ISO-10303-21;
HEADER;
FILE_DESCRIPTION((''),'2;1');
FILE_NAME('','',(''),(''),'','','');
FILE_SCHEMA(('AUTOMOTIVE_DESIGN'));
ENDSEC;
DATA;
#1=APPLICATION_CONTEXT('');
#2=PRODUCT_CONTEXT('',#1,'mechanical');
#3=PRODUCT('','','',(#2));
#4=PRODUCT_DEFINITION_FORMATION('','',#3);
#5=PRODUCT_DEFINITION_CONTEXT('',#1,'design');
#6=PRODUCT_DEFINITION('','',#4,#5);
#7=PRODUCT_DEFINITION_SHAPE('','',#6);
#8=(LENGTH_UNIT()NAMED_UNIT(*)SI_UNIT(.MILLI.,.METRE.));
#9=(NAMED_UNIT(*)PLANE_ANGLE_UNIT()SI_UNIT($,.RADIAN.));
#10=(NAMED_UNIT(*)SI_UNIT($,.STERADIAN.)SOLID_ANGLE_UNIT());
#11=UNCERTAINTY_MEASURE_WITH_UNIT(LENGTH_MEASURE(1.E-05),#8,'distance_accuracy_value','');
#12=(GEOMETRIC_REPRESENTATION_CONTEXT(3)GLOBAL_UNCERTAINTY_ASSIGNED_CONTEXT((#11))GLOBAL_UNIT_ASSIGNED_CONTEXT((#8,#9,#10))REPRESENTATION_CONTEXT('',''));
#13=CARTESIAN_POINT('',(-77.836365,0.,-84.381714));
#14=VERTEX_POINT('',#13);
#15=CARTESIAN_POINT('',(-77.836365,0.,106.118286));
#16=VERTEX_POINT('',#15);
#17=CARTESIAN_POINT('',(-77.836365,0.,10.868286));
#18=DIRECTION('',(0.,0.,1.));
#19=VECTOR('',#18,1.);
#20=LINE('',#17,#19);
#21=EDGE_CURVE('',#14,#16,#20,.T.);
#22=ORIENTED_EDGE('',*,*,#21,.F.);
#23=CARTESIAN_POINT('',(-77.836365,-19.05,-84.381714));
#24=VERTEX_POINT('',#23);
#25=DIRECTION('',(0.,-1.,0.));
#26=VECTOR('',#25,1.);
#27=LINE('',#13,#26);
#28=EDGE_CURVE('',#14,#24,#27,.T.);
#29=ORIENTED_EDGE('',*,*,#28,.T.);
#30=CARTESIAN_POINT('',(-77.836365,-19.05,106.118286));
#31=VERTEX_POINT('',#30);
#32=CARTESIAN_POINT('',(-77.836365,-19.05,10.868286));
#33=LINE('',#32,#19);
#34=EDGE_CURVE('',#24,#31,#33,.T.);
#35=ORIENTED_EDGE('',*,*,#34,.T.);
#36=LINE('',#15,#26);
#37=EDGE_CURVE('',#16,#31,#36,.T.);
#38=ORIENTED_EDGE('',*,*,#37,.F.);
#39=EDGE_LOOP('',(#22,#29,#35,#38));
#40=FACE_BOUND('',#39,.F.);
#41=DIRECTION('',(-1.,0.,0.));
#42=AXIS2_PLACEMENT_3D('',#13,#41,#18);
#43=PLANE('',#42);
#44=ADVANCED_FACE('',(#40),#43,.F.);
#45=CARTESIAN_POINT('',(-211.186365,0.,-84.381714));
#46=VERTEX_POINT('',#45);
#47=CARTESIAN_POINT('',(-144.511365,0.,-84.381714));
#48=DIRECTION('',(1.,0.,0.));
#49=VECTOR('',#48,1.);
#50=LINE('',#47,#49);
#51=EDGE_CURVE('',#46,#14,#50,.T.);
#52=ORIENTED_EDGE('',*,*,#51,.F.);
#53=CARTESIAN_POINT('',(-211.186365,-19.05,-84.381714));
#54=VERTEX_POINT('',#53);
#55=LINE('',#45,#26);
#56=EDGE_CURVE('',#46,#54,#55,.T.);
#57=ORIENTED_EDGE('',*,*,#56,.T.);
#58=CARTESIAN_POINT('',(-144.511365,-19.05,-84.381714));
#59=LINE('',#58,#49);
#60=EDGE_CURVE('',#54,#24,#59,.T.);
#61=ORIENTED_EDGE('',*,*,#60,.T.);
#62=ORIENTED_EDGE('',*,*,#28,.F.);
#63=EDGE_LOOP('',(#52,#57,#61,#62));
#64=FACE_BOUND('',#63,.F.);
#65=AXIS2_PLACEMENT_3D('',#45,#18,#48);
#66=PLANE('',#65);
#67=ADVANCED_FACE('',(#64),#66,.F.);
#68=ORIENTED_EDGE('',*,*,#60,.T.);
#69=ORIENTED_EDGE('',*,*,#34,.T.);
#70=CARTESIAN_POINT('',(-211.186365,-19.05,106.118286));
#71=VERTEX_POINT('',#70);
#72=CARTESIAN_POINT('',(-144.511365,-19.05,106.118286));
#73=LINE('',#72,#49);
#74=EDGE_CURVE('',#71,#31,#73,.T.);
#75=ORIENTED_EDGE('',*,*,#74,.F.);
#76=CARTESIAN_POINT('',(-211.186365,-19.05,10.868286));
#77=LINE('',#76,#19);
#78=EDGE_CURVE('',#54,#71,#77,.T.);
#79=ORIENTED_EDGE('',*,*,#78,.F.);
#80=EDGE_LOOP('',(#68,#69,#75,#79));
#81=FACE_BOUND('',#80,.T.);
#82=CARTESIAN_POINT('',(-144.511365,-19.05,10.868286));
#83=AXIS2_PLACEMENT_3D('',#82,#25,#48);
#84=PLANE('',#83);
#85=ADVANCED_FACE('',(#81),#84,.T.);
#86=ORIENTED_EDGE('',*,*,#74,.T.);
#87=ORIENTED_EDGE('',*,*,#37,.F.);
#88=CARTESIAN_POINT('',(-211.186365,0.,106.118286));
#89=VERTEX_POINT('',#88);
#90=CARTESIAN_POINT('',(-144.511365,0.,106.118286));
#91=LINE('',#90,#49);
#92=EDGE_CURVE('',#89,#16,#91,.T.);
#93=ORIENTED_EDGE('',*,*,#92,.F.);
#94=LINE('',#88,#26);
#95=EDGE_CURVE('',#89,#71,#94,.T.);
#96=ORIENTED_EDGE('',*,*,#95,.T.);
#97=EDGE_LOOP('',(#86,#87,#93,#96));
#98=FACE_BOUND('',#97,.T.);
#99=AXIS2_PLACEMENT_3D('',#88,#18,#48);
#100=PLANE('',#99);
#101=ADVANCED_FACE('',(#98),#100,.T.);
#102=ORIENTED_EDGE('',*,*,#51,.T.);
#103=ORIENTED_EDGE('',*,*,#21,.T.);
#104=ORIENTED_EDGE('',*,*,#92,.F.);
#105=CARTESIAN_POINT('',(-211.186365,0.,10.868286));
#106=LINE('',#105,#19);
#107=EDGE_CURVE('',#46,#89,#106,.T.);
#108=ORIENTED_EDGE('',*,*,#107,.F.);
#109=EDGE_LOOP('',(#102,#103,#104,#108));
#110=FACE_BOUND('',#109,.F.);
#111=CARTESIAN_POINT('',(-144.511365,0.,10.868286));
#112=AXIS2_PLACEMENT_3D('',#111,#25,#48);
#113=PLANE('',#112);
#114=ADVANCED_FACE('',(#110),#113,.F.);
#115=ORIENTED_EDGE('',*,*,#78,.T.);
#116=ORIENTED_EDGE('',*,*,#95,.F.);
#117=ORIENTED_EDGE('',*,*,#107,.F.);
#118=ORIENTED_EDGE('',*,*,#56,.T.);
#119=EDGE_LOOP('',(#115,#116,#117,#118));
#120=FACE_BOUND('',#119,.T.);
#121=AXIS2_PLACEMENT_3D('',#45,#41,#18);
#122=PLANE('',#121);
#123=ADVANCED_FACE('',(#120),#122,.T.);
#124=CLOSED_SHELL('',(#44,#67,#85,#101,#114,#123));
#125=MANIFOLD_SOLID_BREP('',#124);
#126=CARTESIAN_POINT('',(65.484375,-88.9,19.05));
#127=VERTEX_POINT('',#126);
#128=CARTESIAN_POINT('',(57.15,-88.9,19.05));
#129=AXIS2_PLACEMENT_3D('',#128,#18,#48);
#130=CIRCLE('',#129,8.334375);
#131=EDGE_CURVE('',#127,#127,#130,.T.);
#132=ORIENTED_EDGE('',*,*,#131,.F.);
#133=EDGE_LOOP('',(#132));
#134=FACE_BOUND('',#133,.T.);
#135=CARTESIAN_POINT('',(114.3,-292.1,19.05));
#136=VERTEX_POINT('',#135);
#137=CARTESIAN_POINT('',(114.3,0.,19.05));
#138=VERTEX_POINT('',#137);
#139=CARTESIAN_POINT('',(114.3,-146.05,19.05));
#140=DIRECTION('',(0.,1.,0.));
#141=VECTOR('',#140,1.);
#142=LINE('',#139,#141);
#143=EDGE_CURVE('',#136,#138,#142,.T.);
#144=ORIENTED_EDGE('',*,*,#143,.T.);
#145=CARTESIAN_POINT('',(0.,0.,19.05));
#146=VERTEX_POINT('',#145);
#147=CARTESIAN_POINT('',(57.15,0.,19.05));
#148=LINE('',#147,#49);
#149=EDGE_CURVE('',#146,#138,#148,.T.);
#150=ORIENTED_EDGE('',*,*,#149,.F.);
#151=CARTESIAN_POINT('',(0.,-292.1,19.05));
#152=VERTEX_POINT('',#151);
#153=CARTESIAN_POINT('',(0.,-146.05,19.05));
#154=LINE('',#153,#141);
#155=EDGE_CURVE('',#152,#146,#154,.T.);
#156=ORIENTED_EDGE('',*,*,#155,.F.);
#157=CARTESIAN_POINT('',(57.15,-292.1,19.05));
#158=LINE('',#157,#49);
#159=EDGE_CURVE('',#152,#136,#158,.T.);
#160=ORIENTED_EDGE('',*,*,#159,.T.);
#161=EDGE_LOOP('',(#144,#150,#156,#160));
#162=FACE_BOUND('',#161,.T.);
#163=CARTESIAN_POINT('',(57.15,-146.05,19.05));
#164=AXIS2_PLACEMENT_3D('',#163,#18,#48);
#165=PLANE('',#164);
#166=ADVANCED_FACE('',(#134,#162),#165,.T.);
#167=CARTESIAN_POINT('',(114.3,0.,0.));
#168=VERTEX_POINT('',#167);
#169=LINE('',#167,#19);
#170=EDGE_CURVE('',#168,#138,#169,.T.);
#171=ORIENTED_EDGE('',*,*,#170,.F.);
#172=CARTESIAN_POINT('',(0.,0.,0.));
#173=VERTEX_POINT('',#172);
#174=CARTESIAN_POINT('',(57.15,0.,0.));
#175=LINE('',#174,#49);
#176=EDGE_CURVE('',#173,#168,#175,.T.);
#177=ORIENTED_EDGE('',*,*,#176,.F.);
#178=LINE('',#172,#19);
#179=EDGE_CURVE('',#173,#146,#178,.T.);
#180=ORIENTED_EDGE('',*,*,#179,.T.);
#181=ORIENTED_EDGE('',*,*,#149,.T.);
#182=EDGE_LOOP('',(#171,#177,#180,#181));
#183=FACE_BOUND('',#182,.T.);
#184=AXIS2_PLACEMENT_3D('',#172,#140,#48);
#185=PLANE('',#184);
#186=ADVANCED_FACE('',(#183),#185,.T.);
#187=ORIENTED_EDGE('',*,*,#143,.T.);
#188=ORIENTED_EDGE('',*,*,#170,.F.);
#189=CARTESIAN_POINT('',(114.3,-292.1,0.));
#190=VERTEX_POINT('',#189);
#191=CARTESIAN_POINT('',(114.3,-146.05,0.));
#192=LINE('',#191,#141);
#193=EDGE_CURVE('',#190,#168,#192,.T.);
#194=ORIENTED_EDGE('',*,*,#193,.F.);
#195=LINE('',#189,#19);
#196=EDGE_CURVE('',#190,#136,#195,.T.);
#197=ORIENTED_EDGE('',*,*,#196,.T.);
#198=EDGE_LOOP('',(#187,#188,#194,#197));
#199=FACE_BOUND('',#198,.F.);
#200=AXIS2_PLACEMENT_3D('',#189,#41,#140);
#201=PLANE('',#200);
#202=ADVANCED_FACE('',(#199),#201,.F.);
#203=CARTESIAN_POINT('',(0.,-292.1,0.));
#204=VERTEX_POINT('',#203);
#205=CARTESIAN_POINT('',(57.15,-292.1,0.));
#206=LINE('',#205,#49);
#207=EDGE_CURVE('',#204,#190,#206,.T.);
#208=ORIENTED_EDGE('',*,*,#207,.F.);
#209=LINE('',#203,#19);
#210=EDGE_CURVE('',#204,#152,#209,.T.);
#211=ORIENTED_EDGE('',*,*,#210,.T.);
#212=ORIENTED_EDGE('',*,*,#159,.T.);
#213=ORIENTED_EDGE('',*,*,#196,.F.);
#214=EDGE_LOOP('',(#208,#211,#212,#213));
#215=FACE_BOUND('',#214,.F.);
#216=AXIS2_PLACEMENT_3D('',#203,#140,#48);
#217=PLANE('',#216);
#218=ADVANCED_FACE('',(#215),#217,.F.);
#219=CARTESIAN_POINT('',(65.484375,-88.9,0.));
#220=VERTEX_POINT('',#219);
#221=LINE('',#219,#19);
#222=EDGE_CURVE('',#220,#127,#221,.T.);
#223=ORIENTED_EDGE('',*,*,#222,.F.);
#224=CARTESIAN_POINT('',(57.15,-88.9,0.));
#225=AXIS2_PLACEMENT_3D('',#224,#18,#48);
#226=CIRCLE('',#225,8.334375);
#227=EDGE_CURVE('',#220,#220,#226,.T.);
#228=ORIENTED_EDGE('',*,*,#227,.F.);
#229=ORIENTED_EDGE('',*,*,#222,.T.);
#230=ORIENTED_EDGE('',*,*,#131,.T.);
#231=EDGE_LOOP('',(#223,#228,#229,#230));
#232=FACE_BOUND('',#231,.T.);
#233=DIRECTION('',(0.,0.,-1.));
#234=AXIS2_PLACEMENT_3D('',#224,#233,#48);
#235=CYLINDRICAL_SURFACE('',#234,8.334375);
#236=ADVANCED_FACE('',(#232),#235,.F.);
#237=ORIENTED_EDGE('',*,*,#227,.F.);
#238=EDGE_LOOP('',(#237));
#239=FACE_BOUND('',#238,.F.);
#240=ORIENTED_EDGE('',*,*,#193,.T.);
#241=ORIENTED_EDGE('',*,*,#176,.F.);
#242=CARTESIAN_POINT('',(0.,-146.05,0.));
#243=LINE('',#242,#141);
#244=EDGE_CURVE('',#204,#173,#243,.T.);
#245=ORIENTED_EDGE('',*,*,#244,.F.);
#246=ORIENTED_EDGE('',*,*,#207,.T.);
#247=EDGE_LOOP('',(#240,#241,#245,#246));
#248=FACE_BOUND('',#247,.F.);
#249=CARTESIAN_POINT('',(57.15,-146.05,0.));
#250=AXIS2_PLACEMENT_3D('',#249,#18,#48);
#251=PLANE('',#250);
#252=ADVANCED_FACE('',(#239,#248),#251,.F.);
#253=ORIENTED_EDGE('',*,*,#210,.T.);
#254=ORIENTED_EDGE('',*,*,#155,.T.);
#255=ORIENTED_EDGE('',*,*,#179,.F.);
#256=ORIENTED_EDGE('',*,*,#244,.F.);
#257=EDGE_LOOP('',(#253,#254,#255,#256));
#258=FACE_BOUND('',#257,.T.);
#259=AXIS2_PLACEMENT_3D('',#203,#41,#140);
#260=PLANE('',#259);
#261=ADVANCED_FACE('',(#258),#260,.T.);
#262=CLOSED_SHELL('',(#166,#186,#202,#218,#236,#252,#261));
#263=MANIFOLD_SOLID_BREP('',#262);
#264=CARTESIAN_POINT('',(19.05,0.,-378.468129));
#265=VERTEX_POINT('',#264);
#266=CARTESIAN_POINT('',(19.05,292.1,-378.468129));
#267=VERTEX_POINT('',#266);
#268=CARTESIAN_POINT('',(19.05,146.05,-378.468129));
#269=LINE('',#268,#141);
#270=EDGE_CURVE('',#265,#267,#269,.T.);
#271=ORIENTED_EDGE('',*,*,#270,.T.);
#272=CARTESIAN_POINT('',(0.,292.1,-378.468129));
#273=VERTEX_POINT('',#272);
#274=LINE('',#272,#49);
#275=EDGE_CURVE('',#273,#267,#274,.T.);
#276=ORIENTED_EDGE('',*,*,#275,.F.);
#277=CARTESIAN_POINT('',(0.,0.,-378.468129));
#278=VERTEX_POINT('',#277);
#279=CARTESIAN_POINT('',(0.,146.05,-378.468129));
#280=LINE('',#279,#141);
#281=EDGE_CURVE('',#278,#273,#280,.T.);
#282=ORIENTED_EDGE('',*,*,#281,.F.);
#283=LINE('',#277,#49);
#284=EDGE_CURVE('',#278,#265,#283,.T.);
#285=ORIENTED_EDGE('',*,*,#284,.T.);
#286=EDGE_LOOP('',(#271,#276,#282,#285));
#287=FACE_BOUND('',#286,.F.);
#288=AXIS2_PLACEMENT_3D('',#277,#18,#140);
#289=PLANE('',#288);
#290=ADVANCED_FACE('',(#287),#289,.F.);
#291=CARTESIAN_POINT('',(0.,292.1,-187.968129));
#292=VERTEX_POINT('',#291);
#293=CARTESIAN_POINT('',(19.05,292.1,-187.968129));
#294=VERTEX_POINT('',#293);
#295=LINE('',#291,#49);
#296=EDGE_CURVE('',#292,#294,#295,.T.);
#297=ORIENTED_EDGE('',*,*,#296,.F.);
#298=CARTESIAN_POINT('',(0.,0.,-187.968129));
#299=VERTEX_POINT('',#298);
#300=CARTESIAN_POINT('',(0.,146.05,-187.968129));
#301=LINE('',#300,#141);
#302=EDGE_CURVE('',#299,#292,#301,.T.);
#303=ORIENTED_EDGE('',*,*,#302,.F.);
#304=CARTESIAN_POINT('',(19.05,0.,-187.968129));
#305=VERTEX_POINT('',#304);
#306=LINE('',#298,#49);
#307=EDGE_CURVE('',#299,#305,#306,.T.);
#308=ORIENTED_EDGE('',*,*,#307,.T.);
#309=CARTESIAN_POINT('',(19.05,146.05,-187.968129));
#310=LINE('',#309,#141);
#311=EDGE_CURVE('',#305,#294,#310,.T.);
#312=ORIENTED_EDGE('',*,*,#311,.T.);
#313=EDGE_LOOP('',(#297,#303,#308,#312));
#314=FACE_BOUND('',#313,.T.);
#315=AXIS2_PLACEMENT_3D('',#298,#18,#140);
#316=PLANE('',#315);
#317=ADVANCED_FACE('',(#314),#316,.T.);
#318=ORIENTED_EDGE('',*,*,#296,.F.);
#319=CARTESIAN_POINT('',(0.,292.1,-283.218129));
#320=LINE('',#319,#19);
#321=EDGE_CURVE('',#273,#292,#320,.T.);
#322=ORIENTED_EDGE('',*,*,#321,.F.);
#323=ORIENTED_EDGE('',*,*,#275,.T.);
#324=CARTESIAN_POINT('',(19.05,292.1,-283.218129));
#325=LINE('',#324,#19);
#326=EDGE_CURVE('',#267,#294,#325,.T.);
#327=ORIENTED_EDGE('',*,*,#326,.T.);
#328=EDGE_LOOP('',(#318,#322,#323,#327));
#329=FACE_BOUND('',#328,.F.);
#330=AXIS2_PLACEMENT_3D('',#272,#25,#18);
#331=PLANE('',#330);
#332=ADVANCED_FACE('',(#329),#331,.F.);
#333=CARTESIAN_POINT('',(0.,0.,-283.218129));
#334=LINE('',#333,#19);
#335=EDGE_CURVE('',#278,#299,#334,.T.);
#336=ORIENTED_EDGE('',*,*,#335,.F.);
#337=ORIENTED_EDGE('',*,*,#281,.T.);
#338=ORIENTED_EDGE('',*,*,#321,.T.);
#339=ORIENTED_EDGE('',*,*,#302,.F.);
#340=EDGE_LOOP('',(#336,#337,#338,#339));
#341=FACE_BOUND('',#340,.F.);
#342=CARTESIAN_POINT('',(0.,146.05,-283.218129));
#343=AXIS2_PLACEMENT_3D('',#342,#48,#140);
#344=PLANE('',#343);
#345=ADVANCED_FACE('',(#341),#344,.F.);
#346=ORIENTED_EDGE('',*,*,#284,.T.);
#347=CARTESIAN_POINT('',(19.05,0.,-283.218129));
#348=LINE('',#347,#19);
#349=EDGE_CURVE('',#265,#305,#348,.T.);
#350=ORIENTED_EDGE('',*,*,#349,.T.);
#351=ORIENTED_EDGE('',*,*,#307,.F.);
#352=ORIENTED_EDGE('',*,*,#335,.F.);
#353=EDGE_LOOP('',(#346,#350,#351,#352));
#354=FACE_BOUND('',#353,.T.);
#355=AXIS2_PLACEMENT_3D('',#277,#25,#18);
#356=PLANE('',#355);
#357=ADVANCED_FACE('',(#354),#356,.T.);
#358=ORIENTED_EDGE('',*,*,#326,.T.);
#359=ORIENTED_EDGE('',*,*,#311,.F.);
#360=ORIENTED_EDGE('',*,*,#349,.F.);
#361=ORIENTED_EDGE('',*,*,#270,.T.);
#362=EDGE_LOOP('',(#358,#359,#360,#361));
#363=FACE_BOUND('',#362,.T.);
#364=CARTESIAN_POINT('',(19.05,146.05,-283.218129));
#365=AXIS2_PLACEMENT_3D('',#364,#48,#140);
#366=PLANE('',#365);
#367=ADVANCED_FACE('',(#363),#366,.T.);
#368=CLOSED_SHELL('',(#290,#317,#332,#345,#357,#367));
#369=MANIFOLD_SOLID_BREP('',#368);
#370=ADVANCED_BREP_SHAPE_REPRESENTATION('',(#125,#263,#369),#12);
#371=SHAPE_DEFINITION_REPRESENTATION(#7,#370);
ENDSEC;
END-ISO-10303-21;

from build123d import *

# Parameters (mm, degrees)
F0_W     = 114.3
F0_H     = 292.1
F0_R     = 8.334375
F1_DEPTH = 19.05
F2_W     = 292.1
F2_H     = 190.5
F3_DEPTH = 19.05
F4_W     = 133.35
F4_H     = 190.5
F5_DEPTH = 19.05


with BuildPart() as f1:
    # F0 (on Top) → F1 (new body)
    with BuildSketch(Plane.XY):
        with Locations((57.15, -146.05)):
            Rectangle(F0_W, F0_H)
        with Locations((57.15, -88.9)):
            Circle(F0_R, mode=Mode.SUBTRACT)
    extrude(amount=F1_DEPTH)


with BuildPart() as f3:
    # F2 (on Right) → F3 (new body)
    with BuildSketch(Plane.YZ):
        with Locations((146.05, -283.218129)):
            Rectangle(F2_W, F2_H)
    extrude(amount=F3_DEPTH)


with BuildPart() as f5:
    # F4 (on Front) → F5 (new body)
    with BuildSketch(Plane.XZ):
        with Locations((-144.511365, 10.868286)):
            Rectangle(F4_W, F4_H)
    extrude(amount=F5_DEPTH)


solid = Compound([f1.part, f3.part, f5.part])
